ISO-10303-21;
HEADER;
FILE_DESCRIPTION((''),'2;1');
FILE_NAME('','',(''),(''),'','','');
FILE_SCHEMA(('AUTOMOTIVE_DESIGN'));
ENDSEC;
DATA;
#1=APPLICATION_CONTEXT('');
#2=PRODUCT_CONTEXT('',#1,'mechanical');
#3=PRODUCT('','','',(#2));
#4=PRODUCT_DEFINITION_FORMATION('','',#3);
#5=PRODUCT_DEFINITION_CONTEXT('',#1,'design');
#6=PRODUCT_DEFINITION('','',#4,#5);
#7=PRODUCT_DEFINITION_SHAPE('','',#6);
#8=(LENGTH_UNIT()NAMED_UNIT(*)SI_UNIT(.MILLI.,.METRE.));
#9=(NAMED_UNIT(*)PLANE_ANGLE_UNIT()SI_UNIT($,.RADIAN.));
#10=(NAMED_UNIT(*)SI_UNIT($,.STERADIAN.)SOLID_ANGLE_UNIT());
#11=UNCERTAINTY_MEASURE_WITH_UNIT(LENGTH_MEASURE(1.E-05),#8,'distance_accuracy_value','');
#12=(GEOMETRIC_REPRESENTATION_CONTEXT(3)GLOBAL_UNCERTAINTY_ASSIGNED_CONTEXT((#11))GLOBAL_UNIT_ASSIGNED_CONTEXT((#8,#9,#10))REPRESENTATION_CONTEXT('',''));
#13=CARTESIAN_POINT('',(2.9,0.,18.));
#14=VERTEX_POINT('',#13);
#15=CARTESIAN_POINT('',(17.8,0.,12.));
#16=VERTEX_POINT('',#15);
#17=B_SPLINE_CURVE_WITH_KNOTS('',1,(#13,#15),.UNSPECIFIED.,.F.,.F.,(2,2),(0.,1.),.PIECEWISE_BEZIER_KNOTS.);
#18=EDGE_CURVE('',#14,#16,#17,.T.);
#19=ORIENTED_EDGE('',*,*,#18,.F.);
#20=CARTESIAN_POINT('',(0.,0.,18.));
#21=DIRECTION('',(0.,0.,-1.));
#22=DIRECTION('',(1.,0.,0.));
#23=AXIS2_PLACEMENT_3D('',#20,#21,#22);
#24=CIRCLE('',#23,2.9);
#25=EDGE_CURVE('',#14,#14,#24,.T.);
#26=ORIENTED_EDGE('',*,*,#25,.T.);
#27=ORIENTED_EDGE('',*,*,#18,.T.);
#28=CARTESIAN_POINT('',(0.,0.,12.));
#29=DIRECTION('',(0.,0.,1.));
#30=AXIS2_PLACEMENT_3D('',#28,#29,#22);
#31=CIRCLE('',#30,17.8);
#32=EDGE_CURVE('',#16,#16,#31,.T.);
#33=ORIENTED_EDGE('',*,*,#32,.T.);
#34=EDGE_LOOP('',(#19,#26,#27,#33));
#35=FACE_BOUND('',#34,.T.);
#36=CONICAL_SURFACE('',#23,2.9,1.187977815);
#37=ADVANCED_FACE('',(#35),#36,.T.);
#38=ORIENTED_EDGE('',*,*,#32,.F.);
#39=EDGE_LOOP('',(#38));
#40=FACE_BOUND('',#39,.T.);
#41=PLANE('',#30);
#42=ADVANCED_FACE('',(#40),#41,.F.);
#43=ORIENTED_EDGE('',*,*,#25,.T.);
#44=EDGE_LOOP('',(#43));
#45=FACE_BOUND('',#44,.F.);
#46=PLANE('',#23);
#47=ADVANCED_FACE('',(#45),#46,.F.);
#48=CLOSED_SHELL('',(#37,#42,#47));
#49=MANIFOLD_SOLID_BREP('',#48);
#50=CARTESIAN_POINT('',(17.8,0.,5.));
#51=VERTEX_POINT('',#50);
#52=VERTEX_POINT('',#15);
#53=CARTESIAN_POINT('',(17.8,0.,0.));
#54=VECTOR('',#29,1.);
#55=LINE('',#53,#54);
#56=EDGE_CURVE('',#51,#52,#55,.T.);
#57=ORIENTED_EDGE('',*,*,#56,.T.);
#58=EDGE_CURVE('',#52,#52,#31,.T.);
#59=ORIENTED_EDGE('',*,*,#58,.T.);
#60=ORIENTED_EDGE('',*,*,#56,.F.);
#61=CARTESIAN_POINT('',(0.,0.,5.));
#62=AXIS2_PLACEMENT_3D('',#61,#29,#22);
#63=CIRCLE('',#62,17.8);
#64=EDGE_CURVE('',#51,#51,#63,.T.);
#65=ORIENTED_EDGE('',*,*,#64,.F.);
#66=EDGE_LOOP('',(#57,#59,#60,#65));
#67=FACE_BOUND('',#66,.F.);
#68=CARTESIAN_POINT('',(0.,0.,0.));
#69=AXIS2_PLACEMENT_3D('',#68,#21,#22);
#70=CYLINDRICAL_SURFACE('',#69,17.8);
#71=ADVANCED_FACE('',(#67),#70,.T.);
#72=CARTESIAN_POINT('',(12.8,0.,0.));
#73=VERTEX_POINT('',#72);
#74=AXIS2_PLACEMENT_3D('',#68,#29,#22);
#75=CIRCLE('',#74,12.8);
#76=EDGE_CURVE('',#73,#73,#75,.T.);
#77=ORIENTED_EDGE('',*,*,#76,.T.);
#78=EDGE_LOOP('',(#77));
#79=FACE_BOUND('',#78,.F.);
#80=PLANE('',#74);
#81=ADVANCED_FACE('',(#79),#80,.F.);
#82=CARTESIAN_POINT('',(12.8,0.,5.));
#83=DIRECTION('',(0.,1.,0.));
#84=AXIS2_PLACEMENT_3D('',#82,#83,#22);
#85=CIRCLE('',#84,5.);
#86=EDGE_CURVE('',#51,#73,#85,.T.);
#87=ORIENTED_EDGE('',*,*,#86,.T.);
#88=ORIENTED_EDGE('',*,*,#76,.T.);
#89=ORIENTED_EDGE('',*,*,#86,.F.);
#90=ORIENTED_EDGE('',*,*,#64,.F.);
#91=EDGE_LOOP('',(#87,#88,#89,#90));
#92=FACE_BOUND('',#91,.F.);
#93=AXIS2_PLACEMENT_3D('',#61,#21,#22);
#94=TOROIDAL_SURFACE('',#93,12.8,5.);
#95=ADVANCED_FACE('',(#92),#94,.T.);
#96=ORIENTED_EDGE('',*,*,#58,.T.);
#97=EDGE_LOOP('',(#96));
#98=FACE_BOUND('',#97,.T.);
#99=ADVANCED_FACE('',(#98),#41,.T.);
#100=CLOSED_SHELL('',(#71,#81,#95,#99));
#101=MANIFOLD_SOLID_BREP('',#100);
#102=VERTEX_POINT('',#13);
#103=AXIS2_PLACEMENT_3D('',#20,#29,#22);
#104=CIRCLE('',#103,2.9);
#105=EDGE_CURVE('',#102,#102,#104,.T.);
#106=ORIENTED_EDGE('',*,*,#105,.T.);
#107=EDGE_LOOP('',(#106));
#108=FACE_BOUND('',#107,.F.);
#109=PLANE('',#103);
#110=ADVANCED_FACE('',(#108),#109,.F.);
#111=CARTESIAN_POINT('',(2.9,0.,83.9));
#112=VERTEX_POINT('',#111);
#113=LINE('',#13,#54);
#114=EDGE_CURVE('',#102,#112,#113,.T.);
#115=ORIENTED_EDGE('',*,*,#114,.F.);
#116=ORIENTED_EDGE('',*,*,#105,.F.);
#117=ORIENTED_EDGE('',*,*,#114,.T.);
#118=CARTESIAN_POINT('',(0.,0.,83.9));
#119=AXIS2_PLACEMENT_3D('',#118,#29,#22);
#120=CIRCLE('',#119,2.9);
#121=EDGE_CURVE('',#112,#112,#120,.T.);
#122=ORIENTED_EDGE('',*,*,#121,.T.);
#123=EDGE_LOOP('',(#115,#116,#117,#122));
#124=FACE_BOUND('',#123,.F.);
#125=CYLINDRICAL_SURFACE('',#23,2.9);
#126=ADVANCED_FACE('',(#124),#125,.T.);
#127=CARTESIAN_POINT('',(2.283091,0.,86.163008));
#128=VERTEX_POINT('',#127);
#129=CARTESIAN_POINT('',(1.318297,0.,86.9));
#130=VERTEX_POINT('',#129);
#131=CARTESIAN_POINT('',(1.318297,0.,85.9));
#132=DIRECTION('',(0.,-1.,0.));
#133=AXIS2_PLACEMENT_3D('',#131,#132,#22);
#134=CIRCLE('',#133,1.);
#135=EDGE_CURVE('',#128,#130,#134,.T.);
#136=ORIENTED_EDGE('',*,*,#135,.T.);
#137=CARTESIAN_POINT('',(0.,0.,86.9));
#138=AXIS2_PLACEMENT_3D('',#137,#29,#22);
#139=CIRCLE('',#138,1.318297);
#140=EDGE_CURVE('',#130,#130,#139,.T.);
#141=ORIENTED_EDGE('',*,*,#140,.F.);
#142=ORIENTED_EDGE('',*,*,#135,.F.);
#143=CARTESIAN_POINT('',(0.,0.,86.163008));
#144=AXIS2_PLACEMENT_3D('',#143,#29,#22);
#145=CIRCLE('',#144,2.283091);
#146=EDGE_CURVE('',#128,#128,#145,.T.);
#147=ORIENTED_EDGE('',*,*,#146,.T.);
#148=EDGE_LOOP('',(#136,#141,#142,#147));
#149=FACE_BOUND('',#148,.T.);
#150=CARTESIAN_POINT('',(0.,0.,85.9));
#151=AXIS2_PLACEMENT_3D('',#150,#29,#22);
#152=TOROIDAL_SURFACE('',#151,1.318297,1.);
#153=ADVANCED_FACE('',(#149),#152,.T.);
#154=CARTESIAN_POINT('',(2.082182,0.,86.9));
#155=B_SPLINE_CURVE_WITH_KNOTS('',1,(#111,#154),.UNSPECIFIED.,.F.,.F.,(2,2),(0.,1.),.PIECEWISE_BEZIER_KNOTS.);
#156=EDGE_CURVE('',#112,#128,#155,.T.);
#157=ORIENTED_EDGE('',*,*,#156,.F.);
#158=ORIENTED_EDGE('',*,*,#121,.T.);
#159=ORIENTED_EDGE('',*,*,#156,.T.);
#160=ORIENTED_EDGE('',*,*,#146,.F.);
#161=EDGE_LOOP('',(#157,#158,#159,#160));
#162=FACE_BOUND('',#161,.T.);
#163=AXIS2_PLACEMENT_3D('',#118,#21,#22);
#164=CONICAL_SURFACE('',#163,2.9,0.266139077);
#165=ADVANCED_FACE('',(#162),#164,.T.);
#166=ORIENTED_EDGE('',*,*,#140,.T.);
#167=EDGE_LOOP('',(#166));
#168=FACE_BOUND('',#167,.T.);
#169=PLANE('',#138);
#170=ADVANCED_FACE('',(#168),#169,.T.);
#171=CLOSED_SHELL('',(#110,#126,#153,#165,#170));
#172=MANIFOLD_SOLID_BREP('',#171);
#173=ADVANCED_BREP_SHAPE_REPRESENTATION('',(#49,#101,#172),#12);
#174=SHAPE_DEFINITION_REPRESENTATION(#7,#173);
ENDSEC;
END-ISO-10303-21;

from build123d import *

# Parameters (mm, degrees)
F0_R       = 17.8
F3_DEPTH   = 12
F2_R       = 2.9
F4_DEPTH   = 65.9
F4_FACE_R  = 2.9
F3_FACE_R  = 17.8
F4_FACE1_R = 2.9
F7_R       = 2.0821822951
F9_R       = 1
F10_R      = 5


with BuildPart() as f3:
    # F0 (on Top) → F3 (new body)
    with BuildSketch(Plane.XY):
        Circle(F0_R)
    extrude(amount=F3_DEPTH)

    # F10
    f10_edges = [f3.edges().sort_by_distance(p)[0] for p in [
        (-17.8, 0, 0),
    ]]
    fillet(f10_edges, radius=F10_R)


with BuildPart() as f4:
    # F2 (on offset) → F4 (new body)
    with BuildSketch(Plane.XY.offset(18)):
        Circle(F2_R)
    extrude(amount=F4_DEPTH)

    # F4_face1 (on face) → F8 section 0
    with BuildSketch(Plane.XY.offset(83.9)):
        Circle(F4_FACE1_R)
    # F7 (on offset) → F8 section 1
    with BuildSketch(Plane.XY.offset(86.9)):
        Circle(F7_R)
    loft()

    # F9
    f9_edges = [f4.edges().sort_by_distance(p)[0] for p in [
        (-2.082182, 0, 86.9),
    ]]
    fillet(f9_edges, radius=F9_R)


with BuildPart() as f5:
    # F4_face (on face) → F5 section 0
    with BuildSketch(Plane(origin=(0, 0, 18), x_dir=(1, 0, 0), z_dir=(0, 0, -1))):
        Circle(F4_FACE_R)
    # F3_face (on face) → F5 section 1
    with BuildSketch(Plane.XY.offset(12)):
        Circle(F3_FACE_R)
    loft()


solid = Compound([f3.part, f4.part, f5.part])
